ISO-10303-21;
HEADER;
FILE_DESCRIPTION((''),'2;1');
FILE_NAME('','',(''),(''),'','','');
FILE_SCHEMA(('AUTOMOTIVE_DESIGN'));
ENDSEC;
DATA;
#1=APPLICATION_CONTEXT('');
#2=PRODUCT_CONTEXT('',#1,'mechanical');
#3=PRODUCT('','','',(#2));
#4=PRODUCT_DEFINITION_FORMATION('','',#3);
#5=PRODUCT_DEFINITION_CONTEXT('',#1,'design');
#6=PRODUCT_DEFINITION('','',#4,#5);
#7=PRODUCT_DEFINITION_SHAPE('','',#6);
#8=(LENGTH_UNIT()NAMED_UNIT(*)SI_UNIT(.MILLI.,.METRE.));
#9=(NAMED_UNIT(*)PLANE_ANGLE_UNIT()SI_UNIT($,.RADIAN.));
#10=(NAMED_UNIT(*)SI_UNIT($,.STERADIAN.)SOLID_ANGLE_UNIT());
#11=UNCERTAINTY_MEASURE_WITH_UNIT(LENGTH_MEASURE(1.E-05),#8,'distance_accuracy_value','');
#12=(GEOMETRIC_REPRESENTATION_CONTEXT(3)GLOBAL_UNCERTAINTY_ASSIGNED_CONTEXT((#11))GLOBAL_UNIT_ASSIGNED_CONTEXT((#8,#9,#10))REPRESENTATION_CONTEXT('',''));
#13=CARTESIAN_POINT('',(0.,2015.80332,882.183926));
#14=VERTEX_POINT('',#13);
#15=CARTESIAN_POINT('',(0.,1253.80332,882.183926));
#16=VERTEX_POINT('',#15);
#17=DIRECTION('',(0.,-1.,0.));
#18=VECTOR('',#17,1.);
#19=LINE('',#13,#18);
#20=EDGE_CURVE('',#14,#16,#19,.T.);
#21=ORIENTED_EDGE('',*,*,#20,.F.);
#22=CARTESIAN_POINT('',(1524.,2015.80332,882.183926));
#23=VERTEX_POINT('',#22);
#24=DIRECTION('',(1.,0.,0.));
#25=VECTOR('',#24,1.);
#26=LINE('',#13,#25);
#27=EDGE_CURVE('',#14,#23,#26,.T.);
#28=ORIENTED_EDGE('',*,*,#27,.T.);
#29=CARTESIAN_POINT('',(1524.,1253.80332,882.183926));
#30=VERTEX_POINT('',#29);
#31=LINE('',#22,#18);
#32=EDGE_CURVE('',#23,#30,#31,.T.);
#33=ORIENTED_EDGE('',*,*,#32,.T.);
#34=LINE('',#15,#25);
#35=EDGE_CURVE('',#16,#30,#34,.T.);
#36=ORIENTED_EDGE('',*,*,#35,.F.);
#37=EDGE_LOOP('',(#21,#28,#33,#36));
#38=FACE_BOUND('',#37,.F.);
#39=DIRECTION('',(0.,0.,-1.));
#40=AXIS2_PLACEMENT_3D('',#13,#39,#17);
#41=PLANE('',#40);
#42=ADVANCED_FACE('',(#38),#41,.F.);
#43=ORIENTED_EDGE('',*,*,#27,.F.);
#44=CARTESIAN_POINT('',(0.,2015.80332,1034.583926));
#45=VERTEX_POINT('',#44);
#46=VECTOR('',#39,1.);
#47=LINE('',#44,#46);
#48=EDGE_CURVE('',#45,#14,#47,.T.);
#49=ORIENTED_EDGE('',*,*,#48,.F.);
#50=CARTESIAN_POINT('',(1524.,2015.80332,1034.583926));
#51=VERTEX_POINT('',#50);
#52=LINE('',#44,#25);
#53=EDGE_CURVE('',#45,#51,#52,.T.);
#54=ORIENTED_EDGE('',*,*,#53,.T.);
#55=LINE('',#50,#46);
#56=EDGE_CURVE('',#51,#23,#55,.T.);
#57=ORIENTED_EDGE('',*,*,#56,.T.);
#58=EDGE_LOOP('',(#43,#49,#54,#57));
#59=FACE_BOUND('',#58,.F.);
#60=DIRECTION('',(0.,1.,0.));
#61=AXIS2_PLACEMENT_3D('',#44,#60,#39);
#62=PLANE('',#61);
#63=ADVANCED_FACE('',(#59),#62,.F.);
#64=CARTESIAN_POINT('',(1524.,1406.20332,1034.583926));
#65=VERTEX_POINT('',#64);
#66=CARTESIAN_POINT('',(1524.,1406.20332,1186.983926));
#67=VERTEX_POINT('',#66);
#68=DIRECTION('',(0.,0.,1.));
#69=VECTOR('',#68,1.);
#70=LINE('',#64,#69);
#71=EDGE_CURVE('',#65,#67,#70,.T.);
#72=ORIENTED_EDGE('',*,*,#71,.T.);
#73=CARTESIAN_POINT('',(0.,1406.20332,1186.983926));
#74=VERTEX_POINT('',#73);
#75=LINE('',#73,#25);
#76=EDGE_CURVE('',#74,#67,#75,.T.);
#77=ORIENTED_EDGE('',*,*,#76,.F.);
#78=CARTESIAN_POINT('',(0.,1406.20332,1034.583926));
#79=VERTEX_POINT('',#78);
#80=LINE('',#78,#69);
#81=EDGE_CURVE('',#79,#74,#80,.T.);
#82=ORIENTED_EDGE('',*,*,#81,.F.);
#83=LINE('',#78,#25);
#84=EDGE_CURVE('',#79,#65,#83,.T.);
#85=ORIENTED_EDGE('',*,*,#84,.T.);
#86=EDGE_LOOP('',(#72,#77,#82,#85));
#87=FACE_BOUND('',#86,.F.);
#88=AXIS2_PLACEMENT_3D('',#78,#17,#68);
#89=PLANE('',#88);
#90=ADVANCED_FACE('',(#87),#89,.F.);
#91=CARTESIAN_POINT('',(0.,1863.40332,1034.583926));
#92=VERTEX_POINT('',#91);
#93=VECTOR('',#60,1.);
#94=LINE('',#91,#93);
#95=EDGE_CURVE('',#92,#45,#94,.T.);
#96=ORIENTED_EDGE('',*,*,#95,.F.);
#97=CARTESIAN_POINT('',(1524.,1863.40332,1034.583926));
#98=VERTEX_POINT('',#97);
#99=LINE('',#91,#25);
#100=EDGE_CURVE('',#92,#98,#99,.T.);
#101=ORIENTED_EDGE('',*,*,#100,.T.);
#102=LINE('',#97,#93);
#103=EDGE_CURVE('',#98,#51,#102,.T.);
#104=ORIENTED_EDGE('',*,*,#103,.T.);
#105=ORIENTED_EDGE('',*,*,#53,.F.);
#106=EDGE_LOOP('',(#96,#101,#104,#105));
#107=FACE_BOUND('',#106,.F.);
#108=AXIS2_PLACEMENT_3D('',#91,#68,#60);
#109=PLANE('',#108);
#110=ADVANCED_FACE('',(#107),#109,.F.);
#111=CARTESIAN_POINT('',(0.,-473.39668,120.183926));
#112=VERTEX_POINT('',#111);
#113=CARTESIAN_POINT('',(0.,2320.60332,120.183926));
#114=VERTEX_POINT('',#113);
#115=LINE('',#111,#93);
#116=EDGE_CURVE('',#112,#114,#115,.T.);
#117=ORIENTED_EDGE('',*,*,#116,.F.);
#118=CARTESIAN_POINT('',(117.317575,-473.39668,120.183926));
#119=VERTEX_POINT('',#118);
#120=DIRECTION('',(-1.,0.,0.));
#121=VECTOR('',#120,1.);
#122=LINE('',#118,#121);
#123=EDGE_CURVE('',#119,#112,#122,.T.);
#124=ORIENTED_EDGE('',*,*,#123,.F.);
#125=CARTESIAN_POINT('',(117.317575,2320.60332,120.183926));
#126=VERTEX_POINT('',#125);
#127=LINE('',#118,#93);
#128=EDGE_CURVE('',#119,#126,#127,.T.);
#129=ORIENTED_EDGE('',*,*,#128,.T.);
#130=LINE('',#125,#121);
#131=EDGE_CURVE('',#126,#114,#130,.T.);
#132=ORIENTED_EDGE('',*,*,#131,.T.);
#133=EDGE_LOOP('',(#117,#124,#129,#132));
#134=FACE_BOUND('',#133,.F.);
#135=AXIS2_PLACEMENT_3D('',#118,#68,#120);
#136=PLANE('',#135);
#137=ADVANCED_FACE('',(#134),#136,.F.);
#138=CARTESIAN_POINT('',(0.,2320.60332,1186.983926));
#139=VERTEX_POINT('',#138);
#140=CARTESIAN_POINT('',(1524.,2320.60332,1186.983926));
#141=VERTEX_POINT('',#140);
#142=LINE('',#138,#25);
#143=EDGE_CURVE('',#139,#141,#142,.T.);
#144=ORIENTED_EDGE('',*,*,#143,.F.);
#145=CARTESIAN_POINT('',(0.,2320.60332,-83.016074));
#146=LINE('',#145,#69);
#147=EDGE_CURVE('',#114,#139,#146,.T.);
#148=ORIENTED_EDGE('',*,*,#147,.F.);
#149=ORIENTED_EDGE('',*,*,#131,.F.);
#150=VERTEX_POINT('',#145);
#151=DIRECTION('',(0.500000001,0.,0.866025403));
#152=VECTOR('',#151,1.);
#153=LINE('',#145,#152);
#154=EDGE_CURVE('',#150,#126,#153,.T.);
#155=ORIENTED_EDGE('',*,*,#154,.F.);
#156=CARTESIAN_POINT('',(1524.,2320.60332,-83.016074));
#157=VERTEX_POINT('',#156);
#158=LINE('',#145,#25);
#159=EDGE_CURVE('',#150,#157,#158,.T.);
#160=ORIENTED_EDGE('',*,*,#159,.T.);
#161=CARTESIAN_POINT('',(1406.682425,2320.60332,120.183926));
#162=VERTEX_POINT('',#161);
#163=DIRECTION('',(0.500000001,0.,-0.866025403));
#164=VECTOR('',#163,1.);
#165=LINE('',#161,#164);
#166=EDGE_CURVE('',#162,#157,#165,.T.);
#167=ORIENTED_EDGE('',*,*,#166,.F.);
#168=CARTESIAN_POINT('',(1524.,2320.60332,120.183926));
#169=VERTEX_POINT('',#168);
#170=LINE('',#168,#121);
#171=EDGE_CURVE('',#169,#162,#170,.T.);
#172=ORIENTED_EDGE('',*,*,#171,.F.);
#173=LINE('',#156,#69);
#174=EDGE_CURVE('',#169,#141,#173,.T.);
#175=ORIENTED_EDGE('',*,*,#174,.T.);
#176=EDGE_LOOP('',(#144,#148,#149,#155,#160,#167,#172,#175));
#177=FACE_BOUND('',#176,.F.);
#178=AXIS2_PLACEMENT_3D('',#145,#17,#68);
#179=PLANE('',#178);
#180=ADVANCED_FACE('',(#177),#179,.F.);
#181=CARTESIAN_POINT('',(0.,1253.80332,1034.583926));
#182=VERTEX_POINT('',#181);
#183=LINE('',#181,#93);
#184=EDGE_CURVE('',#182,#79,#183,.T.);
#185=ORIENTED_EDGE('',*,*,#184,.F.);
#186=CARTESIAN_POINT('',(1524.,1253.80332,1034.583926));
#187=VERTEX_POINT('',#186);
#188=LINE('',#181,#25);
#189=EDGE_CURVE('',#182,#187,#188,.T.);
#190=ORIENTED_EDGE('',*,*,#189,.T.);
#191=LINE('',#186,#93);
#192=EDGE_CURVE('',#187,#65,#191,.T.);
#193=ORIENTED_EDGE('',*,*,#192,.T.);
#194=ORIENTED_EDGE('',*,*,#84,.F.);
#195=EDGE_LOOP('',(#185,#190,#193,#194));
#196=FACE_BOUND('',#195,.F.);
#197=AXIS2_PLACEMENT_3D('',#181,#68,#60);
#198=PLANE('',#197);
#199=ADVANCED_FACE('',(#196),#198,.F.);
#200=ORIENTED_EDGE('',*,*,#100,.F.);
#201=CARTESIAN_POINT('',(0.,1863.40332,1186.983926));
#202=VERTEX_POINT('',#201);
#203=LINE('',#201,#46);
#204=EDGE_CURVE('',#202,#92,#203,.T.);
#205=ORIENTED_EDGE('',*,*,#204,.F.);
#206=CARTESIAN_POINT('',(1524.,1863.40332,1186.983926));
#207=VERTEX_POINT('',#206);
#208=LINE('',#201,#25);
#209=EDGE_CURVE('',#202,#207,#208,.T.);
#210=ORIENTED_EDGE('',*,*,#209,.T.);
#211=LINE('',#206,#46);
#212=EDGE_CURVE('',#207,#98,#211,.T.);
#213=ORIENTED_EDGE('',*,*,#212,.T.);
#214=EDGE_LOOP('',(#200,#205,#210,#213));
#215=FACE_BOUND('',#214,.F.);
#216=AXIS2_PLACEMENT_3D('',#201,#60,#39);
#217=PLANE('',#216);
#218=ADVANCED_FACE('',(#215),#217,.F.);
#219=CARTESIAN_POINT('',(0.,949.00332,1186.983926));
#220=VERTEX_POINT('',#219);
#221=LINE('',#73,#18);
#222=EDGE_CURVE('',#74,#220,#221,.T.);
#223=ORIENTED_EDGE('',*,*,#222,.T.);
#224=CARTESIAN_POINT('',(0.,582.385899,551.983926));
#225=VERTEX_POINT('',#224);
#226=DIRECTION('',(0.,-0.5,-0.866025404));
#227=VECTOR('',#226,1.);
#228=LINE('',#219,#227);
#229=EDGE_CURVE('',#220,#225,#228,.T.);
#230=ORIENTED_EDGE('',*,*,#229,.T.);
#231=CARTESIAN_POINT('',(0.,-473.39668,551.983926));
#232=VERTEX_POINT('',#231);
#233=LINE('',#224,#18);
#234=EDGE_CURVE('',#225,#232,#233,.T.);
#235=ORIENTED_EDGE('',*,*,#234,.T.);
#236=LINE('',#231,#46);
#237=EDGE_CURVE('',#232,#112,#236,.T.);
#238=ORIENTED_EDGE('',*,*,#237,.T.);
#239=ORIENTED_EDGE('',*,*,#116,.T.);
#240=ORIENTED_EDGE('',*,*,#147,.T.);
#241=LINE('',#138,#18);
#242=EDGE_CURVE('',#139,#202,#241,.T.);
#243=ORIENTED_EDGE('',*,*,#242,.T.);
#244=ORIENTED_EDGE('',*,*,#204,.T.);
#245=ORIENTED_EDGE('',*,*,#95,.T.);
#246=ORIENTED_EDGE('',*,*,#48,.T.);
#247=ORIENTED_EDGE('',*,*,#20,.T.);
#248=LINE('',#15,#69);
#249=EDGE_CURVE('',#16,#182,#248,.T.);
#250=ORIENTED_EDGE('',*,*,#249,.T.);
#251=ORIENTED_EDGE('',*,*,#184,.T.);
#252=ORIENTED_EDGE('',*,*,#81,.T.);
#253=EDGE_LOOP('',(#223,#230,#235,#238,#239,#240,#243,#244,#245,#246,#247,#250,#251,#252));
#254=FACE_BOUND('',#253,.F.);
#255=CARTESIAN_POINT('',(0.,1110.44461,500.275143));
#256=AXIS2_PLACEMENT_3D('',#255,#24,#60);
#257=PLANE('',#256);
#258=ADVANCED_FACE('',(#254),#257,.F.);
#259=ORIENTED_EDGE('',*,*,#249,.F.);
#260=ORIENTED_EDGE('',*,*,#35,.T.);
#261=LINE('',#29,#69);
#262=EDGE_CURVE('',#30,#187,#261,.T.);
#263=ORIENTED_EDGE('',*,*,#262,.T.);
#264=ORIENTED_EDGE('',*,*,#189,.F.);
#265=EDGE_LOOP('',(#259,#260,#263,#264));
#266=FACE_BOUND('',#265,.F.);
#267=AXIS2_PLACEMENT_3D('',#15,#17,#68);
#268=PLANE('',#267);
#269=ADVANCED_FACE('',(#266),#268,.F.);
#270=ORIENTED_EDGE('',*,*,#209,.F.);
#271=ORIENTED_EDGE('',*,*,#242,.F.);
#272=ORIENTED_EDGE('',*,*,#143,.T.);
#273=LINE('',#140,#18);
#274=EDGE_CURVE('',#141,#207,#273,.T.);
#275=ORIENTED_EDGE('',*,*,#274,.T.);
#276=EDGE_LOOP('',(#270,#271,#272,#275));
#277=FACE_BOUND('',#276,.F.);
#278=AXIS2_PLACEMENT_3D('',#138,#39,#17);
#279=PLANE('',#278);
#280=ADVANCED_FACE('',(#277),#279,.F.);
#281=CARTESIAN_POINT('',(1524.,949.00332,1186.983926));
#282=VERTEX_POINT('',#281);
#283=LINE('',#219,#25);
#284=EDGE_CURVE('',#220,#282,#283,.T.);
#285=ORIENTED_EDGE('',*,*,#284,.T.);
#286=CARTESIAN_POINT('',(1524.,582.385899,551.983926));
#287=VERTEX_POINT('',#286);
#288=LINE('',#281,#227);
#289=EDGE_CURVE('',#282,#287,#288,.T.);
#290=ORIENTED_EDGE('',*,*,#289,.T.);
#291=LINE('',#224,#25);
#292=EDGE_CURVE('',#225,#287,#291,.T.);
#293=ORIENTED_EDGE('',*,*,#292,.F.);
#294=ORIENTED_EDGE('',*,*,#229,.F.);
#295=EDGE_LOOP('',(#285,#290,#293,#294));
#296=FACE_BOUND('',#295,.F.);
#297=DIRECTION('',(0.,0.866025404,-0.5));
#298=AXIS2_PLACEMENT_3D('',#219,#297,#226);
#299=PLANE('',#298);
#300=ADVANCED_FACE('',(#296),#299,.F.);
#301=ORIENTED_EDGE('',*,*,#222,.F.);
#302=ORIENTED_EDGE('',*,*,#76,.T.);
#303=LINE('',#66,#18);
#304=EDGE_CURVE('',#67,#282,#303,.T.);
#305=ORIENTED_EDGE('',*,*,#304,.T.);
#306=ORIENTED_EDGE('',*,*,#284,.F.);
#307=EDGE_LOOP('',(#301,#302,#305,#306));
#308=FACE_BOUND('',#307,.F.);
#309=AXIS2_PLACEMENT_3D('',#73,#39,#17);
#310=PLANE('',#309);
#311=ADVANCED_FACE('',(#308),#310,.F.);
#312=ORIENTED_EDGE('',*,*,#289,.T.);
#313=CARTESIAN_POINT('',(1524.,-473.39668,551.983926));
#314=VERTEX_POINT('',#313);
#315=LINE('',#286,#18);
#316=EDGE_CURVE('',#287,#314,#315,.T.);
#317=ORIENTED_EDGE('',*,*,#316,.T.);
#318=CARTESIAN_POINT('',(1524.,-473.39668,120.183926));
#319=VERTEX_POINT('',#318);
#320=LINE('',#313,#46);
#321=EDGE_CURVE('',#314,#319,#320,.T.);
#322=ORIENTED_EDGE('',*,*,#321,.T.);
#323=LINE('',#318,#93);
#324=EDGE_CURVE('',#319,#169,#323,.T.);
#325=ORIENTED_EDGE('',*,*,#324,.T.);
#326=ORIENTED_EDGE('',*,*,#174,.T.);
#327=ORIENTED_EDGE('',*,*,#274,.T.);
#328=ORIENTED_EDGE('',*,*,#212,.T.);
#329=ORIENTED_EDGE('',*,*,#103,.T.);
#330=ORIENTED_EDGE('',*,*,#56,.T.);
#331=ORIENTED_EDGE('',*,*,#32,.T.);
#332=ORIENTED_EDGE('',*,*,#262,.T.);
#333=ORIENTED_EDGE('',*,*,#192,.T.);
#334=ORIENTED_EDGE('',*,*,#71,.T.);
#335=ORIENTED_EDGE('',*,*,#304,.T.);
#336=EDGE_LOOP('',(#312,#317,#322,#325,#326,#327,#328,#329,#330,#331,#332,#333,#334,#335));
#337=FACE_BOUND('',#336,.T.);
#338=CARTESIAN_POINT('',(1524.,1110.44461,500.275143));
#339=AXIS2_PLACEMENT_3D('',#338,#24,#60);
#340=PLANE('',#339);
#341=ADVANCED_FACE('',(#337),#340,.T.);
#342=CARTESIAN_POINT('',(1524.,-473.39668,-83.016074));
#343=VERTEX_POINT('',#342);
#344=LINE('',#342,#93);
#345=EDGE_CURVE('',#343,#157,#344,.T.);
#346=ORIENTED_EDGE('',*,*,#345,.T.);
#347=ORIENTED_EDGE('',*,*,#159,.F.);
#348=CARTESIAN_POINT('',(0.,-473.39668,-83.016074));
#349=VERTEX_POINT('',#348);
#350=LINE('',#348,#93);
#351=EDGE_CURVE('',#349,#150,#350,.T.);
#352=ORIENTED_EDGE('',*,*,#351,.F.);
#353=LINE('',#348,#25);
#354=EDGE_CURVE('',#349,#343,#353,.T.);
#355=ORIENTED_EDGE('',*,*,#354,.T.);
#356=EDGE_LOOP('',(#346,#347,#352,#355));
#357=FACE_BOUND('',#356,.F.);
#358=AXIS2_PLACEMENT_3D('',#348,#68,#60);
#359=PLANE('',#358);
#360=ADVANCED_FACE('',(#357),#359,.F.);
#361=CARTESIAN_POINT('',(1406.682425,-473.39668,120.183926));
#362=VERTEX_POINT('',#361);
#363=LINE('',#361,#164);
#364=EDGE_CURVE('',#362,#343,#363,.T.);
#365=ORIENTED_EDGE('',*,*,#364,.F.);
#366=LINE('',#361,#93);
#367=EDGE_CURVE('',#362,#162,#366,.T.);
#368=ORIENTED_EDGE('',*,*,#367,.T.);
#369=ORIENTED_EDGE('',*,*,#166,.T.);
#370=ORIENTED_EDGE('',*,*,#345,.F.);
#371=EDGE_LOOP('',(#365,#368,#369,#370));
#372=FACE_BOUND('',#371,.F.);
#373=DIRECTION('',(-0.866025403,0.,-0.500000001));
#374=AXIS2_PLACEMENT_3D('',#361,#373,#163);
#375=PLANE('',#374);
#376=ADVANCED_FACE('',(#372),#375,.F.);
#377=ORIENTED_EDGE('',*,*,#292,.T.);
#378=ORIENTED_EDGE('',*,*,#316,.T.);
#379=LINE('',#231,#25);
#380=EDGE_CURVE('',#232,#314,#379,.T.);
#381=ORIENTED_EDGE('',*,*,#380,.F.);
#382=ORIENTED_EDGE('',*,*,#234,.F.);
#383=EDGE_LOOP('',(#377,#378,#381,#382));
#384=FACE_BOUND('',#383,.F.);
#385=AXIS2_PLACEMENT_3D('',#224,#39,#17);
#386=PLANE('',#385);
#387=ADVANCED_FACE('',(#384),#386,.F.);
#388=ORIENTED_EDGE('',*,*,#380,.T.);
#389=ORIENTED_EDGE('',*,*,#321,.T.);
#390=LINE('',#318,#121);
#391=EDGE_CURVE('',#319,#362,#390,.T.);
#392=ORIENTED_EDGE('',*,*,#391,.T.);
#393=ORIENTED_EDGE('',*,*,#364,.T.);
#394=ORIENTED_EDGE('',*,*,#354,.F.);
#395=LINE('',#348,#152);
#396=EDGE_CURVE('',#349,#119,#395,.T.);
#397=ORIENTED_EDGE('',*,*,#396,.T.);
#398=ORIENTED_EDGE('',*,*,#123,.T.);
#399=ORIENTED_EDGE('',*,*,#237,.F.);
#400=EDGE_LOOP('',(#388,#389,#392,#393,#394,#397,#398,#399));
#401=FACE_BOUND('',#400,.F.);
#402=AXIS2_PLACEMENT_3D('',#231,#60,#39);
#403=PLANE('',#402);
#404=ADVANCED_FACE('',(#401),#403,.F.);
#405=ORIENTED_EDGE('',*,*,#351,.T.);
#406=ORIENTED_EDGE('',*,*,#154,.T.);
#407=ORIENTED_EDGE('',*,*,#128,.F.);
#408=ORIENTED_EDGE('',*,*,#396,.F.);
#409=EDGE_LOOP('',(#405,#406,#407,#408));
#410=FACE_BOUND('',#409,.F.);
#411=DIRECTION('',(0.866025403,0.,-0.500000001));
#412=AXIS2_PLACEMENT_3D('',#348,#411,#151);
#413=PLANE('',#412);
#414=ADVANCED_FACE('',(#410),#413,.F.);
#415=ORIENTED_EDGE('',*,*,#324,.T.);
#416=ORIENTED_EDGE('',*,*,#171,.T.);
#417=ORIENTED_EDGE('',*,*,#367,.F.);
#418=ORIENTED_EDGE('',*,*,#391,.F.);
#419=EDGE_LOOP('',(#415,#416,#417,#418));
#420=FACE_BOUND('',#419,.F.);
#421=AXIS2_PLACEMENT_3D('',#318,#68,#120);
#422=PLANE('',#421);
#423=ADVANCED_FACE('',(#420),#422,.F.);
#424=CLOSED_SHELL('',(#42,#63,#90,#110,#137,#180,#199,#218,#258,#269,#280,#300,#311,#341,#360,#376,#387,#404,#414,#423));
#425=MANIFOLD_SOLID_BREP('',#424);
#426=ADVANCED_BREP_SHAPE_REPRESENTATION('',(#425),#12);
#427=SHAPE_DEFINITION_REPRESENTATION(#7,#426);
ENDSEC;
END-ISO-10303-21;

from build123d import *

# Parameters (mm, degrees)
F1_DEPTH = 1524
F3_DEPTH = 2794


with BuildPart() as f1:
    # F0 (on Right) → F1 (new body)
    with BuildSketch(Plane.YZ):
        Polygon((-473.39668, 551.983926), (-473.39668, -83.016074), (2320.60332, -83.016074), (2320.60332, 1186.983926), (1863.40332, 1186.983926), (1863.40332, 1034.583926), (2015.80332, 1034.583926), (2015.80332, 882.183926), (1253.80332, 882.183926), (1253.80332, 1034.583926), (1406.20332, 1034.583926), (1406.20332, 1186.983926), (949.00332, 1186.983926), (582.385899, 551.983926), align=None)
    extrude(amount=F1_DEPTH)

    # F2 (on face) → F3 (cut)
    with BuildSketch(Plane.XZ.offset(473.39668)):
        Polygon((0, 120.183926), (0, -83.016074), (117.317575, 120.183926), align=None)
        Polygon((1406.682425, 120.183926), (1524, -83.016074), (1524, 120.183926), align=None)
    extrude(amount=-F3_DEPTH, mode=Mode.SUBTRACT)


solid = f1.part
